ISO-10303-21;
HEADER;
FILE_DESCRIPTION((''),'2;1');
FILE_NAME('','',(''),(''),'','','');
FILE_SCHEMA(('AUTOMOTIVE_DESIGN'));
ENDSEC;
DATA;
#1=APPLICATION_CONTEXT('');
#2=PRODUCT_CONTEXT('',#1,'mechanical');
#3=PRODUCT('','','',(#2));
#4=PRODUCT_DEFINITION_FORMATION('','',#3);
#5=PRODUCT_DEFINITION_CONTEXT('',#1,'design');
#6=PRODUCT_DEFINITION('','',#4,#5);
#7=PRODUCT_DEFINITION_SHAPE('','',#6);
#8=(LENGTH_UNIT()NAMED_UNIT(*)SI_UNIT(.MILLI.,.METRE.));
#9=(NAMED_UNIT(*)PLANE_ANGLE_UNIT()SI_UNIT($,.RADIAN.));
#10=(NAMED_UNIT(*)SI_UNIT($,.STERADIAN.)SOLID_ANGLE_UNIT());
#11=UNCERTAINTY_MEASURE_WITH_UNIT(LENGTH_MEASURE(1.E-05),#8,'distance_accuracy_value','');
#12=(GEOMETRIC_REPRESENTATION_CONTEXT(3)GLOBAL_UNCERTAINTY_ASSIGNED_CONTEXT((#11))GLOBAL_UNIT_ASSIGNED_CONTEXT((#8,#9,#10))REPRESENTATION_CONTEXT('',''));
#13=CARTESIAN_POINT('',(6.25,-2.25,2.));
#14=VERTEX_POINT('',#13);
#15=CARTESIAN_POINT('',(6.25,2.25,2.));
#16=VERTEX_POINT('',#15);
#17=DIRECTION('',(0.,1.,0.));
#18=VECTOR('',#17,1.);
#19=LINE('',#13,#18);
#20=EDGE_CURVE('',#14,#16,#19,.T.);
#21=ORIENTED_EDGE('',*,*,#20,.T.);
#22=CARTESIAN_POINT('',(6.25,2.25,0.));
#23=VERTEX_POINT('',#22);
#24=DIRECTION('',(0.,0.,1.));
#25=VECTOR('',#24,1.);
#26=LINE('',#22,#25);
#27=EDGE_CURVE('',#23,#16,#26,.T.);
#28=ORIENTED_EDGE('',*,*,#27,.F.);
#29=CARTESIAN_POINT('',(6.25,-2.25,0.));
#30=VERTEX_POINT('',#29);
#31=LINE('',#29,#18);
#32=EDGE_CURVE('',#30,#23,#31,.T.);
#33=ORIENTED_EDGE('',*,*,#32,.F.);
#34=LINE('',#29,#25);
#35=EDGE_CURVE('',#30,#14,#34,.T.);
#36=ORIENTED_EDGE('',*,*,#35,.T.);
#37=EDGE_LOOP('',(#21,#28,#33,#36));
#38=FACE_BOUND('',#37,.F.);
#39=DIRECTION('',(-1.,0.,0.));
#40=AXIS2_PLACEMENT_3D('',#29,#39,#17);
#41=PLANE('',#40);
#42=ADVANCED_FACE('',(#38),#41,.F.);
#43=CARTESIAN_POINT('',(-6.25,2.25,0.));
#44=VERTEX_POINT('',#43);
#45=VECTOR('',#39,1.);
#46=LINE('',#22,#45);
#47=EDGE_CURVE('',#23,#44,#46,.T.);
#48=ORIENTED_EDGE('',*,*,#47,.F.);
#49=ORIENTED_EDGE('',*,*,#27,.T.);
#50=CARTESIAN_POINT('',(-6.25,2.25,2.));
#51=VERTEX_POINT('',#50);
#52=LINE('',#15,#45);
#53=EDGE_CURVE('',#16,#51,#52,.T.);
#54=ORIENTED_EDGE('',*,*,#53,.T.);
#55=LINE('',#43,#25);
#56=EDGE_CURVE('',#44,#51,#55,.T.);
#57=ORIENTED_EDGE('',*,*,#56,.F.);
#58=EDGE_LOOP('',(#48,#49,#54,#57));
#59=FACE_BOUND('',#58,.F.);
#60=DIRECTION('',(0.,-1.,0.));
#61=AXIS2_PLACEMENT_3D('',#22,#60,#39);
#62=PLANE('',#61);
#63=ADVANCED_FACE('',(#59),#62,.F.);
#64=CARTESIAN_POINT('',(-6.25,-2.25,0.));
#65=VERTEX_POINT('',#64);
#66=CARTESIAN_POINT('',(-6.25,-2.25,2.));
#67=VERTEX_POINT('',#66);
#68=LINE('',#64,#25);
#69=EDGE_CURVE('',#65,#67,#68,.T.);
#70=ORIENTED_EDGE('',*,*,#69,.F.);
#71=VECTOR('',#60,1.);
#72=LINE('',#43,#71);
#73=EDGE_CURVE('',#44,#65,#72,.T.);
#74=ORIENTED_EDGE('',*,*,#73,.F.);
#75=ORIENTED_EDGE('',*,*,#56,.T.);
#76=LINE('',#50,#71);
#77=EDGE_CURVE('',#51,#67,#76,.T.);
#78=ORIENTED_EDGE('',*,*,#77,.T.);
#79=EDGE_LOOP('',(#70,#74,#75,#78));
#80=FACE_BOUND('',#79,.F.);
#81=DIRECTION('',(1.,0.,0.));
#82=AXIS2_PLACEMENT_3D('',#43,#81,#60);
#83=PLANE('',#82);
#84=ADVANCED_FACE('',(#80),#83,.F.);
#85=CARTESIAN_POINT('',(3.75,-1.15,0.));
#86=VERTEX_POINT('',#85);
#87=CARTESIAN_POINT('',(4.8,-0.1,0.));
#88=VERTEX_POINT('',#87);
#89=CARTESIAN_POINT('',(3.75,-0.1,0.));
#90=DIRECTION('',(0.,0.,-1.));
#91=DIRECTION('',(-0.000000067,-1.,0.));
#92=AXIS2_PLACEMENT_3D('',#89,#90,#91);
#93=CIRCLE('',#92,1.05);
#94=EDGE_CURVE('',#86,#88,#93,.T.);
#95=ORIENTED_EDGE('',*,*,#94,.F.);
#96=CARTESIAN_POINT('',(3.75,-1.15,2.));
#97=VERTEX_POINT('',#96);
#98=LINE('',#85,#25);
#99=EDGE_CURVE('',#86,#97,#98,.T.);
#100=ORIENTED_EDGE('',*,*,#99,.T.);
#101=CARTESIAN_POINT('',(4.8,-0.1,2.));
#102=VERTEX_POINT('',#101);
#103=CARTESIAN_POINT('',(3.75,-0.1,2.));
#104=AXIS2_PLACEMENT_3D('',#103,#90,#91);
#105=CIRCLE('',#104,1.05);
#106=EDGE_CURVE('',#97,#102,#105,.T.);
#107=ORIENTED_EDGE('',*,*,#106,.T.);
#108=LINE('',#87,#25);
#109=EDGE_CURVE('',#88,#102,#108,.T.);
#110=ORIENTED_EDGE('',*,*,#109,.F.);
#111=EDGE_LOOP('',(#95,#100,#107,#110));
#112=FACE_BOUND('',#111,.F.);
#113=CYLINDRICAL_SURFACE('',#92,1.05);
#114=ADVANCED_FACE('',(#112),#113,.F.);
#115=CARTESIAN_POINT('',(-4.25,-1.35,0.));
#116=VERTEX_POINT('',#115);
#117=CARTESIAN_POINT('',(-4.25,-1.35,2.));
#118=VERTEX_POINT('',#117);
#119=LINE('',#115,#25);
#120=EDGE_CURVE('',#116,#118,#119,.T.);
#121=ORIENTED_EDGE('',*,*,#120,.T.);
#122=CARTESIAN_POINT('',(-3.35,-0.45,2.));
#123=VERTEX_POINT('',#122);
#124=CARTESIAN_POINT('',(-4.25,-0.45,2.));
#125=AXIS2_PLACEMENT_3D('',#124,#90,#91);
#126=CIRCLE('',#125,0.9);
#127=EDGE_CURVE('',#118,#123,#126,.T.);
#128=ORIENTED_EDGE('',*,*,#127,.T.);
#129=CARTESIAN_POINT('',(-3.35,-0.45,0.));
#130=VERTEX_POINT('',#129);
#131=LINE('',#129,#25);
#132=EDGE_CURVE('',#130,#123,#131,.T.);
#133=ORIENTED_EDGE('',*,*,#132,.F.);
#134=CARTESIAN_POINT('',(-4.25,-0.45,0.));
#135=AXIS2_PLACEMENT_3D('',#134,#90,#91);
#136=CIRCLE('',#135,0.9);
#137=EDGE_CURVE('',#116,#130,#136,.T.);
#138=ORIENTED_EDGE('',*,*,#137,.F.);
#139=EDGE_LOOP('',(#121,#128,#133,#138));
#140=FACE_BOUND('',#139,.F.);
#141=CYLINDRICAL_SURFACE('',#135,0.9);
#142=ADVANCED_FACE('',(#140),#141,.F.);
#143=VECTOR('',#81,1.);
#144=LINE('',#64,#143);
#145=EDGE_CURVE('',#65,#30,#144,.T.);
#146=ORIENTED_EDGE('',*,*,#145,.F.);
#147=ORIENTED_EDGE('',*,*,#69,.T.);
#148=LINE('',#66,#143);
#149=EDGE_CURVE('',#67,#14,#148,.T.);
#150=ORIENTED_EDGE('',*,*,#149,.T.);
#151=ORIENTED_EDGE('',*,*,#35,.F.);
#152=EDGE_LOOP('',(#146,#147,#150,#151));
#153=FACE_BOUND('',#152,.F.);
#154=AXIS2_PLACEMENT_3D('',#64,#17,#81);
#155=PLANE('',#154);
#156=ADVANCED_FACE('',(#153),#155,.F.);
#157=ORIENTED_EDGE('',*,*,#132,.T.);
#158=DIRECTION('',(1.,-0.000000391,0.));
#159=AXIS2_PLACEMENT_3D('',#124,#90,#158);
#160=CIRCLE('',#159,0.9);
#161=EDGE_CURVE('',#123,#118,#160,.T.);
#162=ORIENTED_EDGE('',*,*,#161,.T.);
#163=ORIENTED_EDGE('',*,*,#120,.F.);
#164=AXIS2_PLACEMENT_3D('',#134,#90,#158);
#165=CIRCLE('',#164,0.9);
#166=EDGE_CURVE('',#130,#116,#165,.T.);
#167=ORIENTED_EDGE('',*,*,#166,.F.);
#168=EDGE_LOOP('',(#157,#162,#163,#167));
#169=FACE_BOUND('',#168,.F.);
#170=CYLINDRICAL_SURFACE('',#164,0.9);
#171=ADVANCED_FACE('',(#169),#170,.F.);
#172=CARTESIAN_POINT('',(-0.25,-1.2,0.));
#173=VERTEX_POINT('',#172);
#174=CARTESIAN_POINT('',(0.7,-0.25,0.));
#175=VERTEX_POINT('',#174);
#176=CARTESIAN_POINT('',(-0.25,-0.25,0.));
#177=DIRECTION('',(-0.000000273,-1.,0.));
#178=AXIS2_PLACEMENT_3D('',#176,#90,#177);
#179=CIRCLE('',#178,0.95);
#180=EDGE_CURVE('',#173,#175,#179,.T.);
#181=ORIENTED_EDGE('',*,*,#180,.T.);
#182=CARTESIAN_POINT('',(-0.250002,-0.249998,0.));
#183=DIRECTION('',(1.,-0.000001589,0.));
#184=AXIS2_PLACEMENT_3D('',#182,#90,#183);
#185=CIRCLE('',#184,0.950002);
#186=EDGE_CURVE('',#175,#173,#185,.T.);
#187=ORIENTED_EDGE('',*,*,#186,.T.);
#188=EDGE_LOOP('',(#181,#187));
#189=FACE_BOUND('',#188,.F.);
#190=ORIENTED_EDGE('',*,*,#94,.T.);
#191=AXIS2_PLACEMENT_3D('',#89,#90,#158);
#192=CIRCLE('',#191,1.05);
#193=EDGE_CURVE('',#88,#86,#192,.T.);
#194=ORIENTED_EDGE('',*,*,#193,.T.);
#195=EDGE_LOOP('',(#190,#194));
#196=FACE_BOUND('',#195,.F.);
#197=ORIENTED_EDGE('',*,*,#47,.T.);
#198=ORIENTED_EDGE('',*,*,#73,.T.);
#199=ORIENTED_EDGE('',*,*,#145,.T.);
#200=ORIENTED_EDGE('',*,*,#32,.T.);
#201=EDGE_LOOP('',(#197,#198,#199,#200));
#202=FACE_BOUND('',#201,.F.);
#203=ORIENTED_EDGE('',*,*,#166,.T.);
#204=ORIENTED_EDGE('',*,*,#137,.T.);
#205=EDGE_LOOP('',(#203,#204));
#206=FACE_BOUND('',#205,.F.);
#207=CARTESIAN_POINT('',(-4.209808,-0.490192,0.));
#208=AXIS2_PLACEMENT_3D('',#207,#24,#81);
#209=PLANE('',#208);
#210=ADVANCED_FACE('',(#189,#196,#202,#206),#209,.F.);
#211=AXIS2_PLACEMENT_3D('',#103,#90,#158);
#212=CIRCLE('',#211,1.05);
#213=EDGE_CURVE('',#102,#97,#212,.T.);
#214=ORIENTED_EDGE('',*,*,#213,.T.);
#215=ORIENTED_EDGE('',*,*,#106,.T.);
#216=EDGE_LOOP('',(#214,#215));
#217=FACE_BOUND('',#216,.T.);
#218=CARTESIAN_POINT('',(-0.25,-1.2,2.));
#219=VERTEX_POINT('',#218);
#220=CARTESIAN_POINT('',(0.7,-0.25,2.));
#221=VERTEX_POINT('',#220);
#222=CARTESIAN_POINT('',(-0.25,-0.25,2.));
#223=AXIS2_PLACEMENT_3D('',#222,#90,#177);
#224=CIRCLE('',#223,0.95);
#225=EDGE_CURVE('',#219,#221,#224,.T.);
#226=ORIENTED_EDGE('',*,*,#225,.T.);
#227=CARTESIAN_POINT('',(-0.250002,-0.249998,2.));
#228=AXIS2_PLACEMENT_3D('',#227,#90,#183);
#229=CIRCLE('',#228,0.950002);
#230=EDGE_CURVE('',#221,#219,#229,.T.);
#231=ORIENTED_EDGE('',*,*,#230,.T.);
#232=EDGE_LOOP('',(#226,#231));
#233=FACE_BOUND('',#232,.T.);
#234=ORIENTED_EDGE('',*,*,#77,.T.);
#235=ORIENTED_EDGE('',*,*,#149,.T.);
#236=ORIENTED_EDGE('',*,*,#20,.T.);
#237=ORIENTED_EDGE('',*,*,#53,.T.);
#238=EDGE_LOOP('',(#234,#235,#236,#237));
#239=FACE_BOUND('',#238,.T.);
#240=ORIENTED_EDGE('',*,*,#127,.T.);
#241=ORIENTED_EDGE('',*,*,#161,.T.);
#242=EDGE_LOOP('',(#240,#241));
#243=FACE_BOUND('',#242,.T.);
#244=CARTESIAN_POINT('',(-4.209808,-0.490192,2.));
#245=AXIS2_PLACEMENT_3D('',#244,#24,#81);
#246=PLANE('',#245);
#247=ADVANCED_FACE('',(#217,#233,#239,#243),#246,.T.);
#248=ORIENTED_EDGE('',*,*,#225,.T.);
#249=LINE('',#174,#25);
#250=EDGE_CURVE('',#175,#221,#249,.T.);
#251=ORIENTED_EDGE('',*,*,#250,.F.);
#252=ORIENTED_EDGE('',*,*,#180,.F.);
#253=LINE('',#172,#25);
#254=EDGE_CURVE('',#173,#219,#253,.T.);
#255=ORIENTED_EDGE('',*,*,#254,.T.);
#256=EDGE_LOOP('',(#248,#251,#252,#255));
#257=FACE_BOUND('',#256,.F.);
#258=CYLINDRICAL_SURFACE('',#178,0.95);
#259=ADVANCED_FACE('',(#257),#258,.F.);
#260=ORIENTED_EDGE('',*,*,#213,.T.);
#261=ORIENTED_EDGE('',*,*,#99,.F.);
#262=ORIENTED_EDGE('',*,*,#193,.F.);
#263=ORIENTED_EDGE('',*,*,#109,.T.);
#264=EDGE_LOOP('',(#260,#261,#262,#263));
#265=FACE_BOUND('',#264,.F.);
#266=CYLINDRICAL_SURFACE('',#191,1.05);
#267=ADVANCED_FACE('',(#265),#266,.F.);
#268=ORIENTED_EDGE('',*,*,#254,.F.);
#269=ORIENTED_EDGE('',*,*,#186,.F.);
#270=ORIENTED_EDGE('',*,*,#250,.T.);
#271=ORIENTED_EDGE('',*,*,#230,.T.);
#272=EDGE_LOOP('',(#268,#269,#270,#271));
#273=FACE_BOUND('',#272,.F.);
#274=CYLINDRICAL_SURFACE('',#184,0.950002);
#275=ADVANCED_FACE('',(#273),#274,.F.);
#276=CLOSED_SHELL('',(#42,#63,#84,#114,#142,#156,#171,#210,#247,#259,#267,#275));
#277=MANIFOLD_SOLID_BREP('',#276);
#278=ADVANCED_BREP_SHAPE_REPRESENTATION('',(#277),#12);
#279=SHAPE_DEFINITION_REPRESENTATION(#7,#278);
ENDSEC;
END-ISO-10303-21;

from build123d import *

# Parameters (mm, degrees)
F1_DEPTH = 2


with BuildPart() as f1:
    # F0 (on Top) → F1 (new body)
    with BuildSketch(Plane.XY):
        with BuildLine():
            ThreePointArc((-3.35, -0.45), (-4.886396, 0.186396), (-4.25, -1.35))
            ThreePointArc((-4.25, -1.35), (-3.613604, -1.086396), (-3.35, -0.45))
        make_face()
        with BuildLine():
            ThreePointArc((0.7, -0.25), (-0.921751, 0.421751), (-0.25, -1.2))
            ThreePointArc((-0.25, -1.2), (0.421751, -0.921751), (0.7, -0.25))
        make_face()
        Polygon((6.25, 2.25), (-6.25, 2.25), (-6.25, -2.25), (-4.25, -2.25), (-0.25, -2.25), (3.75, -2.25), (6.25, -2.25), align=None)
        with BuildLine():
            ThreePointArc((-3.35, -0.45), (-3.613604, -1.086396), (-4.25, -1.35))
            ThreePointArc((-4.25, -1.35), (-4.886396, 0.186396), (-3.35, -0.45))
        make_face(mode=Mode.SUBTRACT)
        with BuildLine():
            ThreePointArc((0.7, -0.25), (0.421751, -0.921751), (-0.25, -1.2))
            ThreePointArc((-0.25, -1.2), (-0.921751, 0.421751), (0.7, -0.25))
        make_face(mode=Mode.SUBTRACT)
        with BuildLine():
            ThreePointArc((4.8, -0.1), (4.492462, -0.842462), (3.75, -1.15))
            ThreePointArc((3.75, -1.15), (3.007538, 0.642462), (4.8, -0.1))
        make_face(mode=Mode.SUBTRACT)
    extrude(amount=F1_DEPTH)


solid = f1.part
